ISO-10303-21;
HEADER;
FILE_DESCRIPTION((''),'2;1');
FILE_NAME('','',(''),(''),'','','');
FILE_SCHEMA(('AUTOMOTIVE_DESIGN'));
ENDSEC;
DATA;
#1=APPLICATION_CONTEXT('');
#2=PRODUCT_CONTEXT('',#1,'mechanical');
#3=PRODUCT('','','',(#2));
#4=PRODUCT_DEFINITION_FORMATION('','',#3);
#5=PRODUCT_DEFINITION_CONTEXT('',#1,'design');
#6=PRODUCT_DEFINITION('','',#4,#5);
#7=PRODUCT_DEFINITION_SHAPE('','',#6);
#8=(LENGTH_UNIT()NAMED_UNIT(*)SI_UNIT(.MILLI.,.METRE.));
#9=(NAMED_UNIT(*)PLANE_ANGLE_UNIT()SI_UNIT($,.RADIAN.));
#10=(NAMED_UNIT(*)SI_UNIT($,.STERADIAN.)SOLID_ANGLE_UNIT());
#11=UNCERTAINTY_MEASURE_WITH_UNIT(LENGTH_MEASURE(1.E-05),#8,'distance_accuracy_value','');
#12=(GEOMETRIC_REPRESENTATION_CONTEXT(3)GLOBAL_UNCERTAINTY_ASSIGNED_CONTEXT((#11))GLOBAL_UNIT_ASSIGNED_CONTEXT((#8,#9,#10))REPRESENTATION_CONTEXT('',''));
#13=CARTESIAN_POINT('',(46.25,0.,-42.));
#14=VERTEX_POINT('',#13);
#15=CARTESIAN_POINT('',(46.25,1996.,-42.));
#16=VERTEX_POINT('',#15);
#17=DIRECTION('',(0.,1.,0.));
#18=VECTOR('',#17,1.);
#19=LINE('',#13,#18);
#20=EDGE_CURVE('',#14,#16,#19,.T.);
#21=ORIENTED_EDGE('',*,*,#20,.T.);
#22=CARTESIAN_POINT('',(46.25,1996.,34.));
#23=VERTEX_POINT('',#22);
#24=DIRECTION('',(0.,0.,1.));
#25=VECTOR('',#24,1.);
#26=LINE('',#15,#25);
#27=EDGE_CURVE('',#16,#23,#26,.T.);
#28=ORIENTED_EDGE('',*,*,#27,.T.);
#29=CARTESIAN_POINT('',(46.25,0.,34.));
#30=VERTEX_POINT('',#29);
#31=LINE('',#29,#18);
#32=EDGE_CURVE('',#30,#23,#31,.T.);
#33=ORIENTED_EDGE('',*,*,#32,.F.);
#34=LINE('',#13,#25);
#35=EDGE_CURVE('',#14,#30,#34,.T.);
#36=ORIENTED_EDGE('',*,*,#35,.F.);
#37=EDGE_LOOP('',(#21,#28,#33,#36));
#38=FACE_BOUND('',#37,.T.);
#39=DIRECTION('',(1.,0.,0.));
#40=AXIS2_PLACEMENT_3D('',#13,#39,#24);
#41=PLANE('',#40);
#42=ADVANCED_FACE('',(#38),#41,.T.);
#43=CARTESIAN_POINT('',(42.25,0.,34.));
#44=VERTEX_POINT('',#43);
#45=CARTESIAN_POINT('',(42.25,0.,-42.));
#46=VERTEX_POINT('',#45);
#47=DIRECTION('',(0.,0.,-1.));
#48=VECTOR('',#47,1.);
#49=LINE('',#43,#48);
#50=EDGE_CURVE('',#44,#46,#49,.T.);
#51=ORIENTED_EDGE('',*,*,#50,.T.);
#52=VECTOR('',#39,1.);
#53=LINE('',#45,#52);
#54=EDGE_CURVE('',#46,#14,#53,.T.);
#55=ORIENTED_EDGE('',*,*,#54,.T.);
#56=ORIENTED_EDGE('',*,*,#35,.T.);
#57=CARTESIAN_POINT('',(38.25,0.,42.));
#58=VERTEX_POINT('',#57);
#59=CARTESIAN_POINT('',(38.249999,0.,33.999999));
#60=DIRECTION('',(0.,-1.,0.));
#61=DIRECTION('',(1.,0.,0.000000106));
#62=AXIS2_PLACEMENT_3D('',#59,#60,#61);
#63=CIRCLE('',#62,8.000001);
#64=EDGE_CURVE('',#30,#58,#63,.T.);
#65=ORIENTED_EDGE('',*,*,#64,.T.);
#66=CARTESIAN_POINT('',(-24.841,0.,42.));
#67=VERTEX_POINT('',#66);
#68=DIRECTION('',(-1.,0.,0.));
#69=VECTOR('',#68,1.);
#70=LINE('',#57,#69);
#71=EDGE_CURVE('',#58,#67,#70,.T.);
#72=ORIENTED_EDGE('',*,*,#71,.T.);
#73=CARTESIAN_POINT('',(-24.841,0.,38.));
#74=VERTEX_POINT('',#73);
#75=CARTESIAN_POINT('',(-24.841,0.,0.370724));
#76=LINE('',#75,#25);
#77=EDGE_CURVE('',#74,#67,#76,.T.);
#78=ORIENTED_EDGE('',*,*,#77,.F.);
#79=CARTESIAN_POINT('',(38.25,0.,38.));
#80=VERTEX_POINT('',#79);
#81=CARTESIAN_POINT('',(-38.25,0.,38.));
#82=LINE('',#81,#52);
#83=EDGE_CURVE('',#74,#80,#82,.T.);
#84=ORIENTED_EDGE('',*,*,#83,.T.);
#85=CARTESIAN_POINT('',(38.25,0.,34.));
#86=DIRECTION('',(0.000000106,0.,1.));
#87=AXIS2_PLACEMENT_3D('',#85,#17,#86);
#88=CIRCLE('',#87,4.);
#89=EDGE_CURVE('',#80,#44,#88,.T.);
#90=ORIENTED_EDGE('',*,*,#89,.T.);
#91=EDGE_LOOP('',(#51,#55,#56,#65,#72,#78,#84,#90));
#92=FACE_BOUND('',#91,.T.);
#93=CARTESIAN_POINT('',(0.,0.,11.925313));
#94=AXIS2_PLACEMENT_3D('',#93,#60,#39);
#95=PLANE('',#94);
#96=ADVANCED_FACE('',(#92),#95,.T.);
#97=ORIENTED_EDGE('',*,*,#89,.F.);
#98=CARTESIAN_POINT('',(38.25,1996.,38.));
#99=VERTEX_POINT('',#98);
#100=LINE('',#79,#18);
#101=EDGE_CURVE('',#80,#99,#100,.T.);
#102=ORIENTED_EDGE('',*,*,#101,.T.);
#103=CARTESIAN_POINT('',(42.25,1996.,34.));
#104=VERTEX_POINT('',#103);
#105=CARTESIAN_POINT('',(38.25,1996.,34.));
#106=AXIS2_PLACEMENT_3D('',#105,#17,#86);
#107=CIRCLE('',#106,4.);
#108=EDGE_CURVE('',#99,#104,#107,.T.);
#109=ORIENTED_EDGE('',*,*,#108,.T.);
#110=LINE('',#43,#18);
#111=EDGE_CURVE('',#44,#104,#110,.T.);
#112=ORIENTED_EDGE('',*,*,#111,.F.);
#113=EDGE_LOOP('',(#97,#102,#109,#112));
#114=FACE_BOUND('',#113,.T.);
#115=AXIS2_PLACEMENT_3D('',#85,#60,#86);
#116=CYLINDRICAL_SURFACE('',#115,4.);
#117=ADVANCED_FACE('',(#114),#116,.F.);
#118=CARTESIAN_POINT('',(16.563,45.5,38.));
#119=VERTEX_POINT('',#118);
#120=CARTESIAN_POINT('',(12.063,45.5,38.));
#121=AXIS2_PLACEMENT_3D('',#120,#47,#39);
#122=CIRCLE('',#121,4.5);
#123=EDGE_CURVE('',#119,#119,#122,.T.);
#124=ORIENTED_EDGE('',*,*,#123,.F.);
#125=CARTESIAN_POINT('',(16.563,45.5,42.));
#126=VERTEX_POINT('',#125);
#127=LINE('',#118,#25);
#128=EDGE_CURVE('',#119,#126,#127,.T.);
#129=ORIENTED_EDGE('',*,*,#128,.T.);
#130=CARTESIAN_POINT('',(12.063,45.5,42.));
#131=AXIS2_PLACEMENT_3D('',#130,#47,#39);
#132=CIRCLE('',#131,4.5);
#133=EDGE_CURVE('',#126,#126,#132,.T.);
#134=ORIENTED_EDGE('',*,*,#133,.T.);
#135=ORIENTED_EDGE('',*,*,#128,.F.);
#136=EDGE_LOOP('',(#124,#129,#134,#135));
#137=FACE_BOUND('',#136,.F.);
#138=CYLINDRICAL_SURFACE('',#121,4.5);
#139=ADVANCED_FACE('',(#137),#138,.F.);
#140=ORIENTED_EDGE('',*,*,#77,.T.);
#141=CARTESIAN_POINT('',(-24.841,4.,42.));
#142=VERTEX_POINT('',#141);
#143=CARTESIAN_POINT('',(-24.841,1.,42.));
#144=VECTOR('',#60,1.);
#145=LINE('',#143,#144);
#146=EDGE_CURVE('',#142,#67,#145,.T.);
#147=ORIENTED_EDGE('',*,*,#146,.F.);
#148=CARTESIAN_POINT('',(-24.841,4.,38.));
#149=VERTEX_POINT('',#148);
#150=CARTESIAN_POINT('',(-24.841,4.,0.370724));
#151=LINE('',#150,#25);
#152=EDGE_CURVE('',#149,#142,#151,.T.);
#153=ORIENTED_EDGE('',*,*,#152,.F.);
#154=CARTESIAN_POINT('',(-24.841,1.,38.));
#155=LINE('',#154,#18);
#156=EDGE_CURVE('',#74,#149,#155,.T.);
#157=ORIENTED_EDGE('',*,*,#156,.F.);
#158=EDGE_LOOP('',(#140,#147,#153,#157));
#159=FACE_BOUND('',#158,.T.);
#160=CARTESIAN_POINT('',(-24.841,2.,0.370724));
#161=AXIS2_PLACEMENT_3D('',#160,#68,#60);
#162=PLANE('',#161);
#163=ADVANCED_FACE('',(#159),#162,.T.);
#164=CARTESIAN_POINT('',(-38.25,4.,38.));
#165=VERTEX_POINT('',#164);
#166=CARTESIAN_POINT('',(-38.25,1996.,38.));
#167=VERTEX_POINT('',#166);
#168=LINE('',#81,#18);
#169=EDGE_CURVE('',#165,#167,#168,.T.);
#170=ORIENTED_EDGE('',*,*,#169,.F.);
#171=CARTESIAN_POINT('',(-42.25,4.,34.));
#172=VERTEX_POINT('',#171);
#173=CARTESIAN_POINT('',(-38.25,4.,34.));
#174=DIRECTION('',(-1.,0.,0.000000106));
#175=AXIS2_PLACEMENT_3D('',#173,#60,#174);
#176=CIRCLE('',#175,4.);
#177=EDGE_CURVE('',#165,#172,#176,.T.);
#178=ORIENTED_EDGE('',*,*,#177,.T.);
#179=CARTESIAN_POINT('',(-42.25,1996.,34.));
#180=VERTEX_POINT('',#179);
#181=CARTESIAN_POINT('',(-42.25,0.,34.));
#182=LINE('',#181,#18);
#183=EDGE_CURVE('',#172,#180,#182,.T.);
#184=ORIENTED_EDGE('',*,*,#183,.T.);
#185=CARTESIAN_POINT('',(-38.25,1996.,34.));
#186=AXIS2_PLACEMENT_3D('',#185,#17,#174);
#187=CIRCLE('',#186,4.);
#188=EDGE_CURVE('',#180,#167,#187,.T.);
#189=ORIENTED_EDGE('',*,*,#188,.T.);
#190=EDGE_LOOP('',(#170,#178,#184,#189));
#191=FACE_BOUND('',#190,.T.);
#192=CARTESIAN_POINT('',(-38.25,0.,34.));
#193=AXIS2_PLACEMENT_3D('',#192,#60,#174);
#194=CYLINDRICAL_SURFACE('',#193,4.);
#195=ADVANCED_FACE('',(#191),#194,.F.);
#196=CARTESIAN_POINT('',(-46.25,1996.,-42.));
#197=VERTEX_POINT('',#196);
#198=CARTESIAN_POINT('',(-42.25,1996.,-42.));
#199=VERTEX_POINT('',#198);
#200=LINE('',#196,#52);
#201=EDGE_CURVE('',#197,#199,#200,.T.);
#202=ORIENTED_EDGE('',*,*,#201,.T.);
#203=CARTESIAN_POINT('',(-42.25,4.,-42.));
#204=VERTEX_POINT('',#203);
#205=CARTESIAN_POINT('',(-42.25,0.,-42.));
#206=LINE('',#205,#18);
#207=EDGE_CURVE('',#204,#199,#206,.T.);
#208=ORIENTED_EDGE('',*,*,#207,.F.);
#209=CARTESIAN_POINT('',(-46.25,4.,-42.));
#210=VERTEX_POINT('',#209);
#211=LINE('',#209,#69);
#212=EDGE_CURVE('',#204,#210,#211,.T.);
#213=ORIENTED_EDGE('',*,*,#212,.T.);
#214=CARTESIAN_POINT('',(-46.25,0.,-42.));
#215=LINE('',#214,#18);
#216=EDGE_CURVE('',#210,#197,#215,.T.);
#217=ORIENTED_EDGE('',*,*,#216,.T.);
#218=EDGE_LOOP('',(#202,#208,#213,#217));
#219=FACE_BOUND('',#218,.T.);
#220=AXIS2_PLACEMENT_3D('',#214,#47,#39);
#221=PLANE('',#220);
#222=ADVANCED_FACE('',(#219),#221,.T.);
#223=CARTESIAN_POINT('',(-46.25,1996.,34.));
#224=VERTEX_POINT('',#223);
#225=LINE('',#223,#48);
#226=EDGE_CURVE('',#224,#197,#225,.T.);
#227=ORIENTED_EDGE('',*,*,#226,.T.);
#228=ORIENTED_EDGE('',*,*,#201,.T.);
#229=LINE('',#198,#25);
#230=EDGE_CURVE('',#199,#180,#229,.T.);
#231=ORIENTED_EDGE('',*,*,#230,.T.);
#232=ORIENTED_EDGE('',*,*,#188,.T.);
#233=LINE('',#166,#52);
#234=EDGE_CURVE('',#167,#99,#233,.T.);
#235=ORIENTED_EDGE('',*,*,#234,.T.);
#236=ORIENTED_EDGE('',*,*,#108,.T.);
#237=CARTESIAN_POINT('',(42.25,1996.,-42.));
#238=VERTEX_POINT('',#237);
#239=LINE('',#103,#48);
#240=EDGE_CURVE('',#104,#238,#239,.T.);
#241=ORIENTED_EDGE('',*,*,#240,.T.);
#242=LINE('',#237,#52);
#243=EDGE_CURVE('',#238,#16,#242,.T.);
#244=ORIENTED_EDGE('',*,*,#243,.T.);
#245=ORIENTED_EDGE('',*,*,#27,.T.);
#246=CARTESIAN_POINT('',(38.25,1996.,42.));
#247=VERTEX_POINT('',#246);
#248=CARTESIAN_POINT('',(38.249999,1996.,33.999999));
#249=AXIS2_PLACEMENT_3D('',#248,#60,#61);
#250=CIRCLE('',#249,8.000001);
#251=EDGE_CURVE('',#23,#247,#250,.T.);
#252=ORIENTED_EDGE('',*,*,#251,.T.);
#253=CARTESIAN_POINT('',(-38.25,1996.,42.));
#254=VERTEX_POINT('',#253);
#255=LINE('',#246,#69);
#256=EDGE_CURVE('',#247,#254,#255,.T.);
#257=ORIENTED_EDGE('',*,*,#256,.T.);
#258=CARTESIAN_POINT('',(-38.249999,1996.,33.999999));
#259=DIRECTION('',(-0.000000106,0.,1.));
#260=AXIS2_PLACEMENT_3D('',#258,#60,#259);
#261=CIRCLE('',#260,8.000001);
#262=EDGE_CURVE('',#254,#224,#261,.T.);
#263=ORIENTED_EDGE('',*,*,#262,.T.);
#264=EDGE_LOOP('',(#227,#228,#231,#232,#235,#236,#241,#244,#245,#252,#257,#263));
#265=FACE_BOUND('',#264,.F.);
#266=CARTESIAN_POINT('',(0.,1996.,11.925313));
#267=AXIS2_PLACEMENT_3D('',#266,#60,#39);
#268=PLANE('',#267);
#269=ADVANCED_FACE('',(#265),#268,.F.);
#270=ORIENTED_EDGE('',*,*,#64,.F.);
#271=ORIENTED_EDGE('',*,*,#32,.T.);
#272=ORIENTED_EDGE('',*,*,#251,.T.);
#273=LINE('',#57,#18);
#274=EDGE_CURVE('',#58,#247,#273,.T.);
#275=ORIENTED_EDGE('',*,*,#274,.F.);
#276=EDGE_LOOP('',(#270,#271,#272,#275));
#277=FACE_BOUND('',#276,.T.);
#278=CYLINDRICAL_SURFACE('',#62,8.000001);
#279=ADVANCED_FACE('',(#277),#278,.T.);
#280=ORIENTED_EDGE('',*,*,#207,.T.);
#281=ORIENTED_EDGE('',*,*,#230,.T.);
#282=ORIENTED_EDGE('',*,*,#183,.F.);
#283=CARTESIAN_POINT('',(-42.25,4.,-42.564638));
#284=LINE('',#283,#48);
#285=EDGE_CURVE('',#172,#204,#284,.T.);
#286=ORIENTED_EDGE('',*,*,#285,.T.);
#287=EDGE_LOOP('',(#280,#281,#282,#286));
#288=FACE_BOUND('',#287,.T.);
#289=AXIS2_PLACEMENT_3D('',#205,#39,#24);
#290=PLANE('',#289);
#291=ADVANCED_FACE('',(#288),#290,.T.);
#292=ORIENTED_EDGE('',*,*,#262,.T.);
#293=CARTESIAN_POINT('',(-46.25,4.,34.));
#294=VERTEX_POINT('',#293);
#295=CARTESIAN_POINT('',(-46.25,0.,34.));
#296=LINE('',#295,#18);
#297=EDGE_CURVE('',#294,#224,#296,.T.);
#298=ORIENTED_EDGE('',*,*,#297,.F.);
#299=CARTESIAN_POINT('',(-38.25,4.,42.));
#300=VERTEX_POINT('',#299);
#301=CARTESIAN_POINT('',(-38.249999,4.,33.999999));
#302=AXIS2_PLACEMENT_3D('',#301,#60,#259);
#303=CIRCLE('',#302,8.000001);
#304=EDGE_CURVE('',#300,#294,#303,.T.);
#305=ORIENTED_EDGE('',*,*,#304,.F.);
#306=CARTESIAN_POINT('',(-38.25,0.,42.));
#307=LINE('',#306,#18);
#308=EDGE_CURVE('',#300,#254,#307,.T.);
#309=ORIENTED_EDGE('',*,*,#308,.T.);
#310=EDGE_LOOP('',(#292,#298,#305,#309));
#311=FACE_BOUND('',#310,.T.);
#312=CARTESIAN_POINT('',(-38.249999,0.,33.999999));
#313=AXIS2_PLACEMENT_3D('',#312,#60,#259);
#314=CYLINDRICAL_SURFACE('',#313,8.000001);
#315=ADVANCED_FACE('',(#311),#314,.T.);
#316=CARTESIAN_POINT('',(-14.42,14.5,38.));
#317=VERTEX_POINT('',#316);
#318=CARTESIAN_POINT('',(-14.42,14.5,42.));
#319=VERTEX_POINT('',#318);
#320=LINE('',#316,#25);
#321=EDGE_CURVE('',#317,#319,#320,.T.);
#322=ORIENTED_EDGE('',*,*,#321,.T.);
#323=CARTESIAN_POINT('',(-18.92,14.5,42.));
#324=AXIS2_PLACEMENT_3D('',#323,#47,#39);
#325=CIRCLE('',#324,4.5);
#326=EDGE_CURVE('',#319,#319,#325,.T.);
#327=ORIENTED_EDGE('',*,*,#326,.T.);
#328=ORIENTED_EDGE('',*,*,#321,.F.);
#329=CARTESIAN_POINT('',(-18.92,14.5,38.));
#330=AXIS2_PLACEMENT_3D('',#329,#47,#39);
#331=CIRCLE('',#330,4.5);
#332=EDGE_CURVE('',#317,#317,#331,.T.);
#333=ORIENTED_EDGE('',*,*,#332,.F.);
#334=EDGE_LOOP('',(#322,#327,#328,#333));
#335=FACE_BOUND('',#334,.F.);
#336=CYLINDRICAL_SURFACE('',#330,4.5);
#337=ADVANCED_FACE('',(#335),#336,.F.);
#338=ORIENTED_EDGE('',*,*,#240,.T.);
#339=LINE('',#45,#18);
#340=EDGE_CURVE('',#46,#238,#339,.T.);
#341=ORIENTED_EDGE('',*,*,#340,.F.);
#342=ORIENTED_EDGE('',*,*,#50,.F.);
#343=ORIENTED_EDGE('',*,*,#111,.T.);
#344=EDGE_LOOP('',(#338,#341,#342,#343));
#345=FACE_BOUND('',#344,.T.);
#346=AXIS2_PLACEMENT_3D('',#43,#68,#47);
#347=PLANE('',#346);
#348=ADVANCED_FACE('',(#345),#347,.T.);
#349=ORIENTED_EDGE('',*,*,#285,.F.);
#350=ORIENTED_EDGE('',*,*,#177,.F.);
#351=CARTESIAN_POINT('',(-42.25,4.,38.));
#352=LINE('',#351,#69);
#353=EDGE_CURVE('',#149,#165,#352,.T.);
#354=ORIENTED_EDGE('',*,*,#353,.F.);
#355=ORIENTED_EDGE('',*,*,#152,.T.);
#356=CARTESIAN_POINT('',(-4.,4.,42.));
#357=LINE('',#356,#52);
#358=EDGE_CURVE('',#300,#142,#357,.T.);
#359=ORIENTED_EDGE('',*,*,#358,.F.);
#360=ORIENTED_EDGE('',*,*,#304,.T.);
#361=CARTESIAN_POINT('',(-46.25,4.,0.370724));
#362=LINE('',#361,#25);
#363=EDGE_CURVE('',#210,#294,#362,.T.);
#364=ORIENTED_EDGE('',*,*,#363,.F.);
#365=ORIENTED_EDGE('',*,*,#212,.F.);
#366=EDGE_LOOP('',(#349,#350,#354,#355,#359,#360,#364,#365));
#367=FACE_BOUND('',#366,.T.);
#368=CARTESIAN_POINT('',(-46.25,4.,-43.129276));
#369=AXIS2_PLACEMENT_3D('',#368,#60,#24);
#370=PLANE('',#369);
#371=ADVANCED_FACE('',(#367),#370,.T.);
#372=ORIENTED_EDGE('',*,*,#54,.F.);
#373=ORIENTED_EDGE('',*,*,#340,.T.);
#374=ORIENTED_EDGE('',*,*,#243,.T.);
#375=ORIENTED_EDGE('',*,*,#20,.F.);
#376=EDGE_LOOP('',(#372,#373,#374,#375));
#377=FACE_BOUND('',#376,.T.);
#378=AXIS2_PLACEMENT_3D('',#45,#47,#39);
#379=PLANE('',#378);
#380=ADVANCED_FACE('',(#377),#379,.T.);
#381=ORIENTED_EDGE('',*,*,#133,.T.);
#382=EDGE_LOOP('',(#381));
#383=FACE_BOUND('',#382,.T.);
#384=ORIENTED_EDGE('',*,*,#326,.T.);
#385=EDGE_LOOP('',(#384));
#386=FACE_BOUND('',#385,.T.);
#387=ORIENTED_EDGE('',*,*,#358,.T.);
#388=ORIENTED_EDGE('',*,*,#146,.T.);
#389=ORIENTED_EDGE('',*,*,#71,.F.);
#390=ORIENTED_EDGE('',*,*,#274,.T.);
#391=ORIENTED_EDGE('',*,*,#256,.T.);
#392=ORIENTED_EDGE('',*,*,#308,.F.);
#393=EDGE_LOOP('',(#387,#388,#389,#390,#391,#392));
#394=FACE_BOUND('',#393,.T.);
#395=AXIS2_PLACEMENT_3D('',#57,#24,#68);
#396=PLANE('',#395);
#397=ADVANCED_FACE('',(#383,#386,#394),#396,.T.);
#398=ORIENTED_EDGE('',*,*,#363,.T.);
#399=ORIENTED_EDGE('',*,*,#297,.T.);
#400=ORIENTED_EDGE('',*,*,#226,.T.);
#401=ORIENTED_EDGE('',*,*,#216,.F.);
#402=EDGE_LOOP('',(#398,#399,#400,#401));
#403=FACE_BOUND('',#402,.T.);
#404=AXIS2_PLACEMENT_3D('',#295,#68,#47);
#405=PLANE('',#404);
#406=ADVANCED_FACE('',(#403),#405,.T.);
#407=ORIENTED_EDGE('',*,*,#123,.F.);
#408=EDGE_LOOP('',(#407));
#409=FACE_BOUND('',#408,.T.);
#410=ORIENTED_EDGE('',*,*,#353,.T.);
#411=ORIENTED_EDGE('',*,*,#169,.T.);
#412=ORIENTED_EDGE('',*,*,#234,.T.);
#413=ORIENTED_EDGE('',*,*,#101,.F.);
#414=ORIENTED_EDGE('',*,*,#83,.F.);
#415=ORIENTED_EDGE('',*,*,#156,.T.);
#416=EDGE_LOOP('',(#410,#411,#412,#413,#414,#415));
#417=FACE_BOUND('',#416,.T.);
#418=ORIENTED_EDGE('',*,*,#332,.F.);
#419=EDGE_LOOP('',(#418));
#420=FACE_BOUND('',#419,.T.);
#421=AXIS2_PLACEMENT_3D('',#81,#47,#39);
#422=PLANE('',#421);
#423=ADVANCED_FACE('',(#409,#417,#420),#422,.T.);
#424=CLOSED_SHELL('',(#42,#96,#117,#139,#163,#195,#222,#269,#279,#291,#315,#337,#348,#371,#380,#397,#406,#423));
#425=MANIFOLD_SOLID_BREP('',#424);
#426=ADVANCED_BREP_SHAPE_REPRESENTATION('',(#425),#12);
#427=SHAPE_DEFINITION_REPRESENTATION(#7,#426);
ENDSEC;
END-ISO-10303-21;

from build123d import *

# Parameters (mm, degrees)
F1_DEPTH = 1996
F3_W     = 4
F3_H     = 87
F4_DEPTH = 21.409
F6_R     = 4.5
F5_R     = 4.5
F7_DEPTH = 4


with BuildPart() as f1:
    # F0 (on Front) → F1 (new body)
    with BuildSketch(Plane.XZ):
        with BuildLine():
            Line((-46.25, 34), (-46.25, -42))
            Line((-46.25, -42), (-42.25, -42))
            Line((-42.25, -42), (-42.25, 34))
            ThreePointArc((-42.25, 34), (-41.078427, 36.828427), (-38.25, 38))
            Line((-38.25, 38), (38.25, 38))
            ThreePointArc((38.25, 38), (41.078427, 36.828427), (42.25, 34))
            Line((42.25, 34), (42.25, -42))
            Line((42.25, -42), (46.25, -42))
            Line((46.25, -42), (46.25, 34))
            ThreePointArc((46.25, 34), (43.906854, 39.656854), (38.25, 42))
            Line((38.25, 42), (-38.25, 42))
            ThreePointArc((-38.25, 42), (-43.906854, 39.656854), (-46.25, 34))
        make_face()
    extrude(amount=-F1_DEPTH)

    # F3 (on face) → F4 (cut)
    with BuildSketch(Plane(origin=(-46.25, 0, 0), x_dir=(0, -1, 0), z_dir=(-1, 0, 0))):
        with Locations((-2, 0.370724)):
            Rectangle(F3_W, F3_H)
    extrude(amount=-F4_DEPTH, mode=Mode.SUBTRACT)

    # F6 (on face) + F5 (on face) → F7 (cut)
    with BuildSketch(Plane(origin=(0, 0, 38), x_dir=(1, 0, 0), z_dir=(0, 0, -1))):
        with Locations((12.063, -45.5)):
            Circle(F6_R)
    with BuildSketch(Plane(origin=(0, 0, 38), x_dir=(1, 0, 0), z_dir=(0, 0, -1))):
        with Locations((-18.92, -14.5)):
            Circle(F5_R)
    extrude(amount=-F7_DEPTH, mode=Mode.SUBTRACT)


solid = f1.part
